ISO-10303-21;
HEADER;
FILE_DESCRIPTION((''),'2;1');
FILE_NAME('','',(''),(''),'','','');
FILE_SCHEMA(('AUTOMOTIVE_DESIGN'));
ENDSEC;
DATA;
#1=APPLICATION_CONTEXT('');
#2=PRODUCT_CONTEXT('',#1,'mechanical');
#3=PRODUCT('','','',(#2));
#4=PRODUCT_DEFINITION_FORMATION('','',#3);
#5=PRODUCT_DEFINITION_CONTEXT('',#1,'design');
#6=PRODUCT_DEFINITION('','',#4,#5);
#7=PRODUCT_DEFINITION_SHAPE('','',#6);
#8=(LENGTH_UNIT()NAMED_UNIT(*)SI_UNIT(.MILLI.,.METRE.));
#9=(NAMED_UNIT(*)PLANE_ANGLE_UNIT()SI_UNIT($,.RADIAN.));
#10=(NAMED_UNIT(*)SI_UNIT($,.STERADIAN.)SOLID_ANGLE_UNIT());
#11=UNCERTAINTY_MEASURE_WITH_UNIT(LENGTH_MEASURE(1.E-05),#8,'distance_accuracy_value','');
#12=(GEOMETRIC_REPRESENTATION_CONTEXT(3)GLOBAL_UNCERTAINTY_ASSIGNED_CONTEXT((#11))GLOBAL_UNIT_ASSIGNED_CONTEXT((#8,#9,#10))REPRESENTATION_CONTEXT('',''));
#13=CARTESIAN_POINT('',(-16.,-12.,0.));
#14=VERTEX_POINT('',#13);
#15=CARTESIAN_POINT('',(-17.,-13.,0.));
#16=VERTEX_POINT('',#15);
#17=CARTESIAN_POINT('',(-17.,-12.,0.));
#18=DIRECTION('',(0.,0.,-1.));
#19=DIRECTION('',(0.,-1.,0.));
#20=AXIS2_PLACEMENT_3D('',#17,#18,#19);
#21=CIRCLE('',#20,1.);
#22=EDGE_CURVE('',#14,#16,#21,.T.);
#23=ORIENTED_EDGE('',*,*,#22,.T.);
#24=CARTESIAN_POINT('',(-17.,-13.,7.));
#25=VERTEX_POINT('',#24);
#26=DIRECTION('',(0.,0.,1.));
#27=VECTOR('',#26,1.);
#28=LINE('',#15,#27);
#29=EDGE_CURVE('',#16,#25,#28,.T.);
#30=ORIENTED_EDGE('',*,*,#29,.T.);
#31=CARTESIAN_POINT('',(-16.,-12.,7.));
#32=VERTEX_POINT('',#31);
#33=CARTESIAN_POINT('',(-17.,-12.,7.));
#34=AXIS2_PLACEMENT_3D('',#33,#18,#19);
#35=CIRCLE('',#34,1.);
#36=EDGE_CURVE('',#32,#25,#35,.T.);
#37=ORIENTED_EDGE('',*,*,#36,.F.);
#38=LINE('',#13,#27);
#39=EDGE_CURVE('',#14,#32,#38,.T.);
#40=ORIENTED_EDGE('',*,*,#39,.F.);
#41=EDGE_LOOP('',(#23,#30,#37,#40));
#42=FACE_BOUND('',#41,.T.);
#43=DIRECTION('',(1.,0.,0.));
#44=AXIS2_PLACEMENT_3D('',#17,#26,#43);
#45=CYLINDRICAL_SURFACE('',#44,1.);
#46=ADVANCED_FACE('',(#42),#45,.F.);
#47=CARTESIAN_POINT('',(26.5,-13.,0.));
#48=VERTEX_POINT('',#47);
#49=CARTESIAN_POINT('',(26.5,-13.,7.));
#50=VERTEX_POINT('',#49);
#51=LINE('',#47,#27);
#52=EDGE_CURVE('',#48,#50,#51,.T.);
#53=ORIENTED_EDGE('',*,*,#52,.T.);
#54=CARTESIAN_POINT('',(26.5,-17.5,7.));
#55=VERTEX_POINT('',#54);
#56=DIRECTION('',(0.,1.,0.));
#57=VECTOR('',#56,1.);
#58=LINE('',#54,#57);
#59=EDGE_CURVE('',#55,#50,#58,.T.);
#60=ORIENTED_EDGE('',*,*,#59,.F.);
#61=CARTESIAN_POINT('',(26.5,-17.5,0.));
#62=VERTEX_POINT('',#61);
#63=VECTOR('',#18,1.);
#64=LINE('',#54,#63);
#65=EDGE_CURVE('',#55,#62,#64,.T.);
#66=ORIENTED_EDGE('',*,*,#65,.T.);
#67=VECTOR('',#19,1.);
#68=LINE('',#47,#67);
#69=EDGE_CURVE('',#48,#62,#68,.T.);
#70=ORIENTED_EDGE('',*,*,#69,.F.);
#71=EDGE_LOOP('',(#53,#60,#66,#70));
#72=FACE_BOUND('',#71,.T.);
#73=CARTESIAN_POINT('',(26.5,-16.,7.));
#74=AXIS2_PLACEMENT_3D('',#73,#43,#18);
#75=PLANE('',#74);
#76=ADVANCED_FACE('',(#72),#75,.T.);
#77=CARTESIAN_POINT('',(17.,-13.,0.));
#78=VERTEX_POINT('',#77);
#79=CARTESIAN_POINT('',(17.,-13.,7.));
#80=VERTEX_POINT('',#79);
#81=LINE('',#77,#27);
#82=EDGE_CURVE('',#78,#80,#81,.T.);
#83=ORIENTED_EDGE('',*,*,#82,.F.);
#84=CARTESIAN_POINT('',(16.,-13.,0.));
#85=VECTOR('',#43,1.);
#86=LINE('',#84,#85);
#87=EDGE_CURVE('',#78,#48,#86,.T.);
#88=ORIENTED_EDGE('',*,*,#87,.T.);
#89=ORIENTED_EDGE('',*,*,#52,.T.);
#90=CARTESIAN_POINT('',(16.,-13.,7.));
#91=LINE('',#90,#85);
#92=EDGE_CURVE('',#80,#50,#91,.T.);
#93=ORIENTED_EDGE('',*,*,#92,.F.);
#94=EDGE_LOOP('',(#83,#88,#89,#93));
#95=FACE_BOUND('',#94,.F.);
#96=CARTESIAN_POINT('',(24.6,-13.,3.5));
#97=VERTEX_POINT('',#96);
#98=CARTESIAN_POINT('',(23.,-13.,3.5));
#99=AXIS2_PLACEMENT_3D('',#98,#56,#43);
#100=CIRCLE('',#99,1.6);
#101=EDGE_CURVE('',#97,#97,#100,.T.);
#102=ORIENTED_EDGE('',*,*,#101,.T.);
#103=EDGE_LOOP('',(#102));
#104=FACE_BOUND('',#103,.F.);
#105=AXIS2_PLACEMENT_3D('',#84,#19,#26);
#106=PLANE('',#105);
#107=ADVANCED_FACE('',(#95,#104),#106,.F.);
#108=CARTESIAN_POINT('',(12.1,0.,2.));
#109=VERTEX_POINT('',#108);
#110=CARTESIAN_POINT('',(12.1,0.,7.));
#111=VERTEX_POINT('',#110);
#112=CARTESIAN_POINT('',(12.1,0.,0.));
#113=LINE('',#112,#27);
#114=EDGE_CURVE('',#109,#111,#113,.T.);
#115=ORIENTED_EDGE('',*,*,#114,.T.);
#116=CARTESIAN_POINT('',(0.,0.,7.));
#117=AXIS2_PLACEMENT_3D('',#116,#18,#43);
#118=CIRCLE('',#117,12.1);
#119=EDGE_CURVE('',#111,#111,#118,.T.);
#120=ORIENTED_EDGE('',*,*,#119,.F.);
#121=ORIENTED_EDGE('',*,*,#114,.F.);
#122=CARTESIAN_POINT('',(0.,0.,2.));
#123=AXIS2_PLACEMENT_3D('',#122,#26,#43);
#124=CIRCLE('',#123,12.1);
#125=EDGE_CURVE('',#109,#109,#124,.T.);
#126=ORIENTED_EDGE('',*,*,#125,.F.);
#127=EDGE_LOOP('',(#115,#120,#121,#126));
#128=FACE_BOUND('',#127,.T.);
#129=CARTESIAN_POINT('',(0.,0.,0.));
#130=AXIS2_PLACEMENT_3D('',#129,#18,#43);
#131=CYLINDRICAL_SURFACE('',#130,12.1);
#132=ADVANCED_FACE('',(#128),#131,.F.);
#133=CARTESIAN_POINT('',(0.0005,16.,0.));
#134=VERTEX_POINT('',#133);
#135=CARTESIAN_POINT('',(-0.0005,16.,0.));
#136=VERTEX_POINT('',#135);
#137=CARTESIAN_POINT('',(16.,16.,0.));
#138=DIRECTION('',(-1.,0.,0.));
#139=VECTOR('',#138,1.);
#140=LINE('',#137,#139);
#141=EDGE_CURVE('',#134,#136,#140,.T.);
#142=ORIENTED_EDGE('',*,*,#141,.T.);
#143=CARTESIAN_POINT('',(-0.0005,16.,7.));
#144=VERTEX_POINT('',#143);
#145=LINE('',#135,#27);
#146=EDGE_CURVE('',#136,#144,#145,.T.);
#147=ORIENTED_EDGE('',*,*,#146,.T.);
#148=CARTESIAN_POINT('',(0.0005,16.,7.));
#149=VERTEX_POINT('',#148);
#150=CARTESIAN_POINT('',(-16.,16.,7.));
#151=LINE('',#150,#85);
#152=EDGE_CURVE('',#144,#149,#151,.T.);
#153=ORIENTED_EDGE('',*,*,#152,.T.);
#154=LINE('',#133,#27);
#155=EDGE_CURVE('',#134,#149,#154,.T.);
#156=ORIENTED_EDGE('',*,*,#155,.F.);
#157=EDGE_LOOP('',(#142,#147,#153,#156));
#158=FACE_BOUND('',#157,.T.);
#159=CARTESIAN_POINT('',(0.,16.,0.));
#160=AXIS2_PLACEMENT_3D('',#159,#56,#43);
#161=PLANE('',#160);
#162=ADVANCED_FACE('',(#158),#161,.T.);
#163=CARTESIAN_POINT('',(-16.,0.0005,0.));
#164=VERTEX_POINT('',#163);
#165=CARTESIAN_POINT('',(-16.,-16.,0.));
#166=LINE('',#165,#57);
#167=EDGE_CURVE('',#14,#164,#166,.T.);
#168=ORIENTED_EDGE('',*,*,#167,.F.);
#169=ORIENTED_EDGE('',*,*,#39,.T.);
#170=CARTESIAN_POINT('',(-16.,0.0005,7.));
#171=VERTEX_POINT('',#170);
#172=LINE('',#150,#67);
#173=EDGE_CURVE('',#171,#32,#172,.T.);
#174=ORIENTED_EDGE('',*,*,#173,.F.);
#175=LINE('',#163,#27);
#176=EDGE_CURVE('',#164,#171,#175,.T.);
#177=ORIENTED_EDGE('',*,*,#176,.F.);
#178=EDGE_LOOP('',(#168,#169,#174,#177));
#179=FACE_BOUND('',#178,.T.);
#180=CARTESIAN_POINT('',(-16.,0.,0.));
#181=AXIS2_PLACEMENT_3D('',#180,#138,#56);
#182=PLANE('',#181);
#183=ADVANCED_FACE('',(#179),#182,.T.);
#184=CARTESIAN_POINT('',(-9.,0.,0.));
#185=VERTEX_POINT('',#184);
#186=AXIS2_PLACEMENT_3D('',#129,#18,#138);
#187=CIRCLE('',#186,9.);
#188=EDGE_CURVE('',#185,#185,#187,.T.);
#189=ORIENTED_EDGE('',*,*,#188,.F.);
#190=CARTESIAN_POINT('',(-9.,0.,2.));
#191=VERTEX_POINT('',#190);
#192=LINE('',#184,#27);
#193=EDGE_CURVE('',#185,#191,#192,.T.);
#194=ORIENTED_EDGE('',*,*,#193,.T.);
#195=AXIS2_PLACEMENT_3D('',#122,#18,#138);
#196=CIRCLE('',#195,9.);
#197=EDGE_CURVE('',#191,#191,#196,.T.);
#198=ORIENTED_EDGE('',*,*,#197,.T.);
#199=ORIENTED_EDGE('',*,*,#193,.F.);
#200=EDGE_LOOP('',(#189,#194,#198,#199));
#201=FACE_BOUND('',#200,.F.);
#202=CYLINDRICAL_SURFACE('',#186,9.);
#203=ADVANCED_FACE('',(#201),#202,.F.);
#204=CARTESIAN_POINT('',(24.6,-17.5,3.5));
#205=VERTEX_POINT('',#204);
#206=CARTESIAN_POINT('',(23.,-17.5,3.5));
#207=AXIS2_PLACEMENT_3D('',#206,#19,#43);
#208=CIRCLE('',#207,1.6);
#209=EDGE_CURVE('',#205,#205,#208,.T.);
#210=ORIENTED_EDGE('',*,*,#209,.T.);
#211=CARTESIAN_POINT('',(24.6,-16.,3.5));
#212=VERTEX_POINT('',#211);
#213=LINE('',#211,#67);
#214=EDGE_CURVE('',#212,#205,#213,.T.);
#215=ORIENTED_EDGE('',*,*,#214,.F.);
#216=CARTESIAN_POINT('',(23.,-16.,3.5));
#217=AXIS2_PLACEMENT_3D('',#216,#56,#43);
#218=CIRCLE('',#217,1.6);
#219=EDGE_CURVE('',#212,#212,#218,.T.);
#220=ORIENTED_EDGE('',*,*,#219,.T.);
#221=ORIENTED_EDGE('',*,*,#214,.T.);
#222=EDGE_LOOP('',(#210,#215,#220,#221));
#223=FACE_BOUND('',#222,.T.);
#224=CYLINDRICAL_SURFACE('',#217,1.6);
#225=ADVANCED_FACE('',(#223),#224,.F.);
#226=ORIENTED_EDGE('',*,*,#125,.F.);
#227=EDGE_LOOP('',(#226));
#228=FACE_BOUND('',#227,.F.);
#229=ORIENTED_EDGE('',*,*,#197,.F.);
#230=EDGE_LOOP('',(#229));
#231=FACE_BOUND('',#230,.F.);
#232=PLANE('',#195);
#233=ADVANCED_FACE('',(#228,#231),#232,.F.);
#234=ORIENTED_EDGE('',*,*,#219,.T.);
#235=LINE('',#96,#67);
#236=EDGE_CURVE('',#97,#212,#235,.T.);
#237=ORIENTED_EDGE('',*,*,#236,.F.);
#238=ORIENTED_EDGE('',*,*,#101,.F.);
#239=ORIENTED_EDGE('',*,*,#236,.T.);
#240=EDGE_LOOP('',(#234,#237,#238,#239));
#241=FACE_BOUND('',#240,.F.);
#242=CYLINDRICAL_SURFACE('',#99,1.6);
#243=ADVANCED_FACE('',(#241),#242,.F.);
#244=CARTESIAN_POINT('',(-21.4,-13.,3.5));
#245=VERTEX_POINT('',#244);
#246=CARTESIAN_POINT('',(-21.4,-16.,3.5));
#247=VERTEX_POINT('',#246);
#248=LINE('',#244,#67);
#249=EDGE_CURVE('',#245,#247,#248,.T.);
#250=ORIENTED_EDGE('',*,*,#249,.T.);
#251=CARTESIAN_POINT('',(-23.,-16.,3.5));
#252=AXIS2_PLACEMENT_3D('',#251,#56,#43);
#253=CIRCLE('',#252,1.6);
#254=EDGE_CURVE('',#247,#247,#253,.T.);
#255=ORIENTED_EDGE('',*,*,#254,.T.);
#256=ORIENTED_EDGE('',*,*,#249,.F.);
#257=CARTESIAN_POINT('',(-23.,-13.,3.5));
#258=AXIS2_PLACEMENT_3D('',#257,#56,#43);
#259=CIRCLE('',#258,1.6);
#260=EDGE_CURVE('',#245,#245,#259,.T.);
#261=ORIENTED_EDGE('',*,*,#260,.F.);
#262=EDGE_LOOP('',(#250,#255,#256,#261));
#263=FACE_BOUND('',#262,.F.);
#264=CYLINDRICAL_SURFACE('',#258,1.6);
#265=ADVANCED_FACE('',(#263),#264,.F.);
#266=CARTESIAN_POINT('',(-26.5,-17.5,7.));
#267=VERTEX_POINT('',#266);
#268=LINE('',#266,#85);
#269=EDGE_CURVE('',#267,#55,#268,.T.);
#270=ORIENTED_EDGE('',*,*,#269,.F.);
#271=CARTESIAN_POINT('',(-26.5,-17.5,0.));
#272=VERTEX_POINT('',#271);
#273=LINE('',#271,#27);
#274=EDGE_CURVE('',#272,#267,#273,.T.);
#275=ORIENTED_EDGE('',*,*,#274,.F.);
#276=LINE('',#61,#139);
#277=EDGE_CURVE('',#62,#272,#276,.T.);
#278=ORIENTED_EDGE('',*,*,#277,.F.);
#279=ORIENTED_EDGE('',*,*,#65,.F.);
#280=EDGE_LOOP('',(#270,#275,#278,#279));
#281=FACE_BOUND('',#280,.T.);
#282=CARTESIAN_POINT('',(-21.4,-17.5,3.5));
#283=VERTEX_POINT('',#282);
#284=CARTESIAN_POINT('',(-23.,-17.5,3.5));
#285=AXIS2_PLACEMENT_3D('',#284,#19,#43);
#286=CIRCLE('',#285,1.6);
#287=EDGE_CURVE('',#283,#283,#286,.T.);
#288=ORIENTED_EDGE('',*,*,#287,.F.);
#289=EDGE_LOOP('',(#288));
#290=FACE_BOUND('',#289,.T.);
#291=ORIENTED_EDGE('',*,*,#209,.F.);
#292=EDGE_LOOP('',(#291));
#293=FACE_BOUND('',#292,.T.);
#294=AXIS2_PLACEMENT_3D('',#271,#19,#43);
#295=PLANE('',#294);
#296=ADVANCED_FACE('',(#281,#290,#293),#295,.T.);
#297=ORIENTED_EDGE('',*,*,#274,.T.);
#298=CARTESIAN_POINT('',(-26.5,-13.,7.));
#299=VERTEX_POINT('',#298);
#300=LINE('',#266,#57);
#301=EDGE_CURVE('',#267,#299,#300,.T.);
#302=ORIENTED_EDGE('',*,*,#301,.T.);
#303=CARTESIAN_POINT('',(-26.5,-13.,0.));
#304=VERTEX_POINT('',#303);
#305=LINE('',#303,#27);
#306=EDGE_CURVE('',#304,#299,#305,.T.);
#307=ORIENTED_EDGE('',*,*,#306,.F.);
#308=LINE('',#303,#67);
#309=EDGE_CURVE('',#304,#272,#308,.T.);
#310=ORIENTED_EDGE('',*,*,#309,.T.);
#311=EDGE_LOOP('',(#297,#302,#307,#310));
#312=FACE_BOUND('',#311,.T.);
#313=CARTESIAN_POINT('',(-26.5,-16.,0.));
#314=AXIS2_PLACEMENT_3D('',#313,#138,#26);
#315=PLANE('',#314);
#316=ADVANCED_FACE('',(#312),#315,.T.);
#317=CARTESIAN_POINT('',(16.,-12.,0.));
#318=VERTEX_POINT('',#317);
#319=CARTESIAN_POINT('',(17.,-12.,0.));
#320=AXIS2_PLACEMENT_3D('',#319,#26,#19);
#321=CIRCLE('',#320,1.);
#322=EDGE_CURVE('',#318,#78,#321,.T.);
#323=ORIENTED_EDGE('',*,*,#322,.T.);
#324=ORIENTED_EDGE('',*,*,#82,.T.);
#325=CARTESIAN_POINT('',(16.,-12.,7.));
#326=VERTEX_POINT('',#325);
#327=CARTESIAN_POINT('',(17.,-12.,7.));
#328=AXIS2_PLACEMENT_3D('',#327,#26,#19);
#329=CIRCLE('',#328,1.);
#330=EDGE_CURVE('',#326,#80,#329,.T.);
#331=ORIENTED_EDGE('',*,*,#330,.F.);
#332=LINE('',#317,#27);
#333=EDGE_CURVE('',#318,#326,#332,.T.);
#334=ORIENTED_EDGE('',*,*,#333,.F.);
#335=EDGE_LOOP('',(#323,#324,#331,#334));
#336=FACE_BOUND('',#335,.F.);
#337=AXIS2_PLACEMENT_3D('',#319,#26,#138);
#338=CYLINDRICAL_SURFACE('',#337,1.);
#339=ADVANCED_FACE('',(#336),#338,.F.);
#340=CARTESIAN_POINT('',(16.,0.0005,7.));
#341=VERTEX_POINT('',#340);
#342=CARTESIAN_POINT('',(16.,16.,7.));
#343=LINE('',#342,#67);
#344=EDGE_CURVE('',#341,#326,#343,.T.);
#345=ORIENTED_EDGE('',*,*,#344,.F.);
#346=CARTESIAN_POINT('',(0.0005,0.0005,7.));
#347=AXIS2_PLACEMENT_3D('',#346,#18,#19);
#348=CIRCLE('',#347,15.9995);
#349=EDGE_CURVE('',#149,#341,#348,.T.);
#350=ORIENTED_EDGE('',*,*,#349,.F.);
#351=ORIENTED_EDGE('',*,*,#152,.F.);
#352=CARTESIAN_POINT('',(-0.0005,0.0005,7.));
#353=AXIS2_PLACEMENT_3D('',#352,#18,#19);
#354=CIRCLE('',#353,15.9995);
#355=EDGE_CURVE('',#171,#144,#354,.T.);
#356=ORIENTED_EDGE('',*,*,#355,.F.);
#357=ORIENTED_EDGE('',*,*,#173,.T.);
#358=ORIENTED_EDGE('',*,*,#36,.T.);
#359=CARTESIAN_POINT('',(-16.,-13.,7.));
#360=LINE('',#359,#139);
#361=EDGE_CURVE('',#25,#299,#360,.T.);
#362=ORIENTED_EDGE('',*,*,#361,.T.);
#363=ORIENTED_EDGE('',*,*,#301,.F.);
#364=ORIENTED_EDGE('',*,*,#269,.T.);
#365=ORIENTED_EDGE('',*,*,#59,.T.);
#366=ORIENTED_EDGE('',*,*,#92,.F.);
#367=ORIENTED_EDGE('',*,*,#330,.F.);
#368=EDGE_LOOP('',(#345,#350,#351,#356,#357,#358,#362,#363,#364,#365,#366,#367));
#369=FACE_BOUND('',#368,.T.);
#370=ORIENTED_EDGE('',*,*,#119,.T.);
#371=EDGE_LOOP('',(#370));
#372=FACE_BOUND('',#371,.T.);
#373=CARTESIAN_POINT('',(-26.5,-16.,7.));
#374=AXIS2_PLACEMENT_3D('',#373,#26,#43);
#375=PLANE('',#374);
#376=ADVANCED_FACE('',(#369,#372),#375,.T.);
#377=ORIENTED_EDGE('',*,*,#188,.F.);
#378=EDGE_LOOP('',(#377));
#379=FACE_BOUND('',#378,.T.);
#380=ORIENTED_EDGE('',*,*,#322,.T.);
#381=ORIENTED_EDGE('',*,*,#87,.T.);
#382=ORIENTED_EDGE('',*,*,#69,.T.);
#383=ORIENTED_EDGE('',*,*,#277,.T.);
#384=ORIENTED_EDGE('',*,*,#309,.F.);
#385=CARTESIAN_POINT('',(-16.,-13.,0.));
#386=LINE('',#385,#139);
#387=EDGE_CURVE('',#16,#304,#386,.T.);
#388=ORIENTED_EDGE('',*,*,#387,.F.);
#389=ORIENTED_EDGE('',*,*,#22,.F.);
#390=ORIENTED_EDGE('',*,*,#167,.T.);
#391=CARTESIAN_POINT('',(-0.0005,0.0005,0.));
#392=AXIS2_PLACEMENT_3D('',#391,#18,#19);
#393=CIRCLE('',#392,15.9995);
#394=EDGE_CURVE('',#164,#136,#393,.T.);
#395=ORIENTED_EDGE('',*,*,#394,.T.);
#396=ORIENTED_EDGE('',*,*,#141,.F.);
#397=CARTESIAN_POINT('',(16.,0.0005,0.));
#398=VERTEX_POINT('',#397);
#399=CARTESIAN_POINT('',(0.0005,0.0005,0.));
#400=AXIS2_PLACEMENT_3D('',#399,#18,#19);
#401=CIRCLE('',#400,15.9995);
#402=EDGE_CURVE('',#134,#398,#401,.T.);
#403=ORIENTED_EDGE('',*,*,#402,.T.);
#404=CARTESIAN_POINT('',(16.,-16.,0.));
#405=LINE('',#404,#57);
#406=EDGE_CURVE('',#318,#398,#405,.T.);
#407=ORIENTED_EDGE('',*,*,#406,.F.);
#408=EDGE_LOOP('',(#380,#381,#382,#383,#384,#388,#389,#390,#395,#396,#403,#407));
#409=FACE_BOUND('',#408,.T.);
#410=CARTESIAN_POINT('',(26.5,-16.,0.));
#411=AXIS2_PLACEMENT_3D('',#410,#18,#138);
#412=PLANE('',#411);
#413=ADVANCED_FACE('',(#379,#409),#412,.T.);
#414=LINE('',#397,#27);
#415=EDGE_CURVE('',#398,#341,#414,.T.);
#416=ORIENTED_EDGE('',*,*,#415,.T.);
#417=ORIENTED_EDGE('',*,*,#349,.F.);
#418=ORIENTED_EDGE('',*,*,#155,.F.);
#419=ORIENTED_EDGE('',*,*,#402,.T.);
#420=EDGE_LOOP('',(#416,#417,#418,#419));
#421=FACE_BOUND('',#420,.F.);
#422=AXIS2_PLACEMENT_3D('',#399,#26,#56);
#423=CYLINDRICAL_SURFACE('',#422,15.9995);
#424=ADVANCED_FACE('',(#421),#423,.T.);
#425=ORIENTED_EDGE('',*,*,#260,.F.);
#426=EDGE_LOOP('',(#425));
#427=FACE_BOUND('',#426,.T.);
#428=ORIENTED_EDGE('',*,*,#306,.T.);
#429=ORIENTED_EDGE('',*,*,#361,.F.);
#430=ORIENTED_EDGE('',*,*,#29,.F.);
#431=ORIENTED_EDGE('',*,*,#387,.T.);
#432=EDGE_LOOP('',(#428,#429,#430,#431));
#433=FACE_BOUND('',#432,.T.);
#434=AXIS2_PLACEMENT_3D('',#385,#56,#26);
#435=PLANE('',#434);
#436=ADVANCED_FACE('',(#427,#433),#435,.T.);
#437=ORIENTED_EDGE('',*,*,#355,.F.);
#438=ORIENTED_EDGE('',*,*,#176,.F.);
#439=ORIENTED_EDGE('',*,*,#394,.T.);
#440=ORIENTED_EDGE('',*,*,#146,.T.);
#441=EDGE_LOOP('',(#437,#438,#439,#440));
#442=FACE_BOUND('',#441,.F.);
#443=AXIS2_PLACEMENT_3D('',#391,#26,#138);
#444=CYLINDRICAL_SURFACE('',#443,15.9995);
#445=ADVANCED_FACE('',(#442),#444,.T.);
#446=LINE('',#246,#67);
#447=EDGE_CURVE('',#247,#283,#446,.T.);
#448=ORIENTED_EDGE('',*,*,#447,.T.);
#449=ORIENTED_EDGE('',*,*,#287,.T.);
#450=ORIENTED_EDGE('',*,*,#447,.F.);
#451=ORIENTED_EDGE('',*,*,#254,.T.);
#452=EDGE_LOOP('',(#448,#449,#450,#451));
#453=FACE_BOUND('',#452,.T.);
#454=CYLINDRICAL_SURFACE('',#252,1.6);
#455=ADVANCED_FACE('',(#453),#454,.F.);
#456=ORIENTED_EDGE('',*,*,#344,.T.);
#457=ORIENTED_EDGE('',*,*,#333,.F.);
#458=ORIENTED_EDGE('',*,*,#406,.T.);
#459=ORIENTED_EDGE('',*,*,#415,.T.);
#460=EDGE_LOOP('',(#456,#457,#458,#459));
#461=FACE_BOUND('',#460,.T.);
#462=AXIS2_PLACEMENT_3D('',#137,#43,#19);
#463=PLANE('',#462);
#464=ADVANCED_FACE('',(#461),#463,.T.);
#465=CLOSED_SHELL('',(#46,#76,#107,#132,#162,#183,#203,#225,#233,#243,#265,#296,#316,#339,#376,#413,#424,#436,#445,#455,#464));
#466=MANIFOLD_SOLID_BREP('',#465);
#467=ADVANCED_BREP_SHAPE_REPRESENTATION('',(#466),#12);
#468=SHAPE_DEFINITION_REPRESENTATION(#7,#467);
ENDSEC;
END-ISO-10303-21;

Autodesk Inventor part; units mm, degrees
ref_plane "YZ Plane" through (0, 0, 0) normal (1, 0, 0) x (0, 1, 0)
ref_plane "XZ Plane" through (0, 0, 0) normal (0, 1, 0) x (-1, 0, 0)
ref_plane "XY Plane" through (0, 0, 0) normal (0, 0, 1) x (1, 0, 0)
sketch "Skizze1" plane through (0, 0, 0) normal (0, 0, 1) x (1, 0, 0)
  line L0 (0, 22.4) -> (0, -22.4) projected
  line L1 (-22.4, 0) -> (22.4, 0) projected
  line L2 (-16, 16) -> (16, 16)
  line L3 (16, 16) -> (16, -16)
  line L4 (16, -16) -> (-16, -16)
  line L5 (-16, -16) -> (-16, 16)
  circle A0 centre (0, 0) radius 12.1
  dimension "d0" = 32
  dimension "d1" = 32
  dimension "d2" = 24.2
extrude "Extrusion1" add sketch "Skizze1" along normal blind 7 contours L2 L3 L1 A0 L0 | L0 A0 L1 L5 L2 | L1 L3 L4 L0 A0 | A0 L0 L4 L5 L1
sketch "Skizze2" plane through (16, -16, 0) normal (1, 0, 0) x (0, 0, -1)
  line L0 (-7, 32) -> (-7, 0) projected
  line L1 (0, 32) -> (0, 0) projected
  line L2 (-7, 0) -> (0, 0)
  line L3 (0, 0) -> (0, 3)
  line L4 (0, 3) -> (-7, 3)
  line L5 (-7, 3) -> (-7, 0)
  point P0 (0, 16)
  point P1 (-7, 3)
  dimension "d5" = 3
sketch "Skizze3" plane through (-16, -16, 0) normal (-1, 0, 0) x (0, 0, 1)
  line L0 (7, 32) -> (7, 0) projected
  line L1 (0, 32) -> (0, 0) projected
  line L2 (7, 0) -> (0, 0)
  line L3 (0, 0) -> (0, 3)
  line L4 (0, 3) -> (7, 3)
  line L5 (7, 3) -> (7, 0)
  point P0 (0, 16)
  point P1 (7, 3)
  dimension "d6" = 3
extrude "Extrusion2" add sketch "Skizze3" along normal blind 10.5
extrude "Extrusion3" add sketch "Skizze2" along normal blind 10.5
sketch "Skizze4" plane through (0, 0, 0) normal (0, 0, -1) x (-1, 0, 0)
  circle A0 centre (0, 0) radius 12.1
  circle A1 centre (0, 0) radius 12.1 projected
  circle A2 centre (0, 0) radius 9
  dimension "d11" = 24.2
  dimension "d12" = 18
extrude "Extrusion4" add sketch "Skizze4" against normal blind 2
fillet "Rundung1" radius 16 2 edges at (16, 16, 3.5) (-16, 16, 3.5)
sketch "Skizze5" plane through (16, -13, 7) normal (0, 1, 0) x (1, 0, 0)
  circle A0 centre (-39, 3.5) radius 1.6
  line L0 (-32, 7) -> (-42.5, 7) projected
  line L1 (-42.5, 0) -> (-42.5, 7) projected
  circle A1 centre (7, 3.5) radius 1.6
  line L2 (0, 7) -> (10.5, 7) projected
  line L3 (10.5, 7) -> (10.5, 0) projected
  point P0 (-16, 7)
  dimension "d16" = 3.2
  dimension "d17" = 3.5
  dimension "d18" = 3.5
  dimension "d19" = 3.2
  dimension "d20" = 3.5
  dimension "d21" = 3.5
extrude "Extrusion5" cut sketch "Skizze5" against normal up to surface (3 mm away)
fillet "Rundung2" radius 1 2 edges at (-16, -13, 3.5) (16, -13, 3.5)
sketch "Skizze6" plane through (-26.5, -16, 0) normal (0, -1, 0) x (1, 0, 0)
  line L0 (0, 0) -> (0, 7) projected
  line L1 (53, 7) -> (53, 0) projected
  line L2 (0, 7) -> (53, 7)
  line L3 (53, 7) -> (53, 0)
  line L4 (53, 0) -> (0, 0)
  line L5 (0, 0) -> (0, 7)
  circle A0 centre (3.5, 3.5) radius 1.6 projected
  circle A1 centre (3.5, 3.5) radius 1.6
  circle A2 centre (49.5, 3.5) radius 1.6 projected
  circle A3 centre (49.5, 3.5) radius 1.6
  point P0 (26.5, 0)
  dimension "d25" = 3.2
  dimension "d26" = 3.2
extrude "Extrusion6" add sketch "Skizze6" along normal blind 1.5
properties part number "_3D-Druck"
